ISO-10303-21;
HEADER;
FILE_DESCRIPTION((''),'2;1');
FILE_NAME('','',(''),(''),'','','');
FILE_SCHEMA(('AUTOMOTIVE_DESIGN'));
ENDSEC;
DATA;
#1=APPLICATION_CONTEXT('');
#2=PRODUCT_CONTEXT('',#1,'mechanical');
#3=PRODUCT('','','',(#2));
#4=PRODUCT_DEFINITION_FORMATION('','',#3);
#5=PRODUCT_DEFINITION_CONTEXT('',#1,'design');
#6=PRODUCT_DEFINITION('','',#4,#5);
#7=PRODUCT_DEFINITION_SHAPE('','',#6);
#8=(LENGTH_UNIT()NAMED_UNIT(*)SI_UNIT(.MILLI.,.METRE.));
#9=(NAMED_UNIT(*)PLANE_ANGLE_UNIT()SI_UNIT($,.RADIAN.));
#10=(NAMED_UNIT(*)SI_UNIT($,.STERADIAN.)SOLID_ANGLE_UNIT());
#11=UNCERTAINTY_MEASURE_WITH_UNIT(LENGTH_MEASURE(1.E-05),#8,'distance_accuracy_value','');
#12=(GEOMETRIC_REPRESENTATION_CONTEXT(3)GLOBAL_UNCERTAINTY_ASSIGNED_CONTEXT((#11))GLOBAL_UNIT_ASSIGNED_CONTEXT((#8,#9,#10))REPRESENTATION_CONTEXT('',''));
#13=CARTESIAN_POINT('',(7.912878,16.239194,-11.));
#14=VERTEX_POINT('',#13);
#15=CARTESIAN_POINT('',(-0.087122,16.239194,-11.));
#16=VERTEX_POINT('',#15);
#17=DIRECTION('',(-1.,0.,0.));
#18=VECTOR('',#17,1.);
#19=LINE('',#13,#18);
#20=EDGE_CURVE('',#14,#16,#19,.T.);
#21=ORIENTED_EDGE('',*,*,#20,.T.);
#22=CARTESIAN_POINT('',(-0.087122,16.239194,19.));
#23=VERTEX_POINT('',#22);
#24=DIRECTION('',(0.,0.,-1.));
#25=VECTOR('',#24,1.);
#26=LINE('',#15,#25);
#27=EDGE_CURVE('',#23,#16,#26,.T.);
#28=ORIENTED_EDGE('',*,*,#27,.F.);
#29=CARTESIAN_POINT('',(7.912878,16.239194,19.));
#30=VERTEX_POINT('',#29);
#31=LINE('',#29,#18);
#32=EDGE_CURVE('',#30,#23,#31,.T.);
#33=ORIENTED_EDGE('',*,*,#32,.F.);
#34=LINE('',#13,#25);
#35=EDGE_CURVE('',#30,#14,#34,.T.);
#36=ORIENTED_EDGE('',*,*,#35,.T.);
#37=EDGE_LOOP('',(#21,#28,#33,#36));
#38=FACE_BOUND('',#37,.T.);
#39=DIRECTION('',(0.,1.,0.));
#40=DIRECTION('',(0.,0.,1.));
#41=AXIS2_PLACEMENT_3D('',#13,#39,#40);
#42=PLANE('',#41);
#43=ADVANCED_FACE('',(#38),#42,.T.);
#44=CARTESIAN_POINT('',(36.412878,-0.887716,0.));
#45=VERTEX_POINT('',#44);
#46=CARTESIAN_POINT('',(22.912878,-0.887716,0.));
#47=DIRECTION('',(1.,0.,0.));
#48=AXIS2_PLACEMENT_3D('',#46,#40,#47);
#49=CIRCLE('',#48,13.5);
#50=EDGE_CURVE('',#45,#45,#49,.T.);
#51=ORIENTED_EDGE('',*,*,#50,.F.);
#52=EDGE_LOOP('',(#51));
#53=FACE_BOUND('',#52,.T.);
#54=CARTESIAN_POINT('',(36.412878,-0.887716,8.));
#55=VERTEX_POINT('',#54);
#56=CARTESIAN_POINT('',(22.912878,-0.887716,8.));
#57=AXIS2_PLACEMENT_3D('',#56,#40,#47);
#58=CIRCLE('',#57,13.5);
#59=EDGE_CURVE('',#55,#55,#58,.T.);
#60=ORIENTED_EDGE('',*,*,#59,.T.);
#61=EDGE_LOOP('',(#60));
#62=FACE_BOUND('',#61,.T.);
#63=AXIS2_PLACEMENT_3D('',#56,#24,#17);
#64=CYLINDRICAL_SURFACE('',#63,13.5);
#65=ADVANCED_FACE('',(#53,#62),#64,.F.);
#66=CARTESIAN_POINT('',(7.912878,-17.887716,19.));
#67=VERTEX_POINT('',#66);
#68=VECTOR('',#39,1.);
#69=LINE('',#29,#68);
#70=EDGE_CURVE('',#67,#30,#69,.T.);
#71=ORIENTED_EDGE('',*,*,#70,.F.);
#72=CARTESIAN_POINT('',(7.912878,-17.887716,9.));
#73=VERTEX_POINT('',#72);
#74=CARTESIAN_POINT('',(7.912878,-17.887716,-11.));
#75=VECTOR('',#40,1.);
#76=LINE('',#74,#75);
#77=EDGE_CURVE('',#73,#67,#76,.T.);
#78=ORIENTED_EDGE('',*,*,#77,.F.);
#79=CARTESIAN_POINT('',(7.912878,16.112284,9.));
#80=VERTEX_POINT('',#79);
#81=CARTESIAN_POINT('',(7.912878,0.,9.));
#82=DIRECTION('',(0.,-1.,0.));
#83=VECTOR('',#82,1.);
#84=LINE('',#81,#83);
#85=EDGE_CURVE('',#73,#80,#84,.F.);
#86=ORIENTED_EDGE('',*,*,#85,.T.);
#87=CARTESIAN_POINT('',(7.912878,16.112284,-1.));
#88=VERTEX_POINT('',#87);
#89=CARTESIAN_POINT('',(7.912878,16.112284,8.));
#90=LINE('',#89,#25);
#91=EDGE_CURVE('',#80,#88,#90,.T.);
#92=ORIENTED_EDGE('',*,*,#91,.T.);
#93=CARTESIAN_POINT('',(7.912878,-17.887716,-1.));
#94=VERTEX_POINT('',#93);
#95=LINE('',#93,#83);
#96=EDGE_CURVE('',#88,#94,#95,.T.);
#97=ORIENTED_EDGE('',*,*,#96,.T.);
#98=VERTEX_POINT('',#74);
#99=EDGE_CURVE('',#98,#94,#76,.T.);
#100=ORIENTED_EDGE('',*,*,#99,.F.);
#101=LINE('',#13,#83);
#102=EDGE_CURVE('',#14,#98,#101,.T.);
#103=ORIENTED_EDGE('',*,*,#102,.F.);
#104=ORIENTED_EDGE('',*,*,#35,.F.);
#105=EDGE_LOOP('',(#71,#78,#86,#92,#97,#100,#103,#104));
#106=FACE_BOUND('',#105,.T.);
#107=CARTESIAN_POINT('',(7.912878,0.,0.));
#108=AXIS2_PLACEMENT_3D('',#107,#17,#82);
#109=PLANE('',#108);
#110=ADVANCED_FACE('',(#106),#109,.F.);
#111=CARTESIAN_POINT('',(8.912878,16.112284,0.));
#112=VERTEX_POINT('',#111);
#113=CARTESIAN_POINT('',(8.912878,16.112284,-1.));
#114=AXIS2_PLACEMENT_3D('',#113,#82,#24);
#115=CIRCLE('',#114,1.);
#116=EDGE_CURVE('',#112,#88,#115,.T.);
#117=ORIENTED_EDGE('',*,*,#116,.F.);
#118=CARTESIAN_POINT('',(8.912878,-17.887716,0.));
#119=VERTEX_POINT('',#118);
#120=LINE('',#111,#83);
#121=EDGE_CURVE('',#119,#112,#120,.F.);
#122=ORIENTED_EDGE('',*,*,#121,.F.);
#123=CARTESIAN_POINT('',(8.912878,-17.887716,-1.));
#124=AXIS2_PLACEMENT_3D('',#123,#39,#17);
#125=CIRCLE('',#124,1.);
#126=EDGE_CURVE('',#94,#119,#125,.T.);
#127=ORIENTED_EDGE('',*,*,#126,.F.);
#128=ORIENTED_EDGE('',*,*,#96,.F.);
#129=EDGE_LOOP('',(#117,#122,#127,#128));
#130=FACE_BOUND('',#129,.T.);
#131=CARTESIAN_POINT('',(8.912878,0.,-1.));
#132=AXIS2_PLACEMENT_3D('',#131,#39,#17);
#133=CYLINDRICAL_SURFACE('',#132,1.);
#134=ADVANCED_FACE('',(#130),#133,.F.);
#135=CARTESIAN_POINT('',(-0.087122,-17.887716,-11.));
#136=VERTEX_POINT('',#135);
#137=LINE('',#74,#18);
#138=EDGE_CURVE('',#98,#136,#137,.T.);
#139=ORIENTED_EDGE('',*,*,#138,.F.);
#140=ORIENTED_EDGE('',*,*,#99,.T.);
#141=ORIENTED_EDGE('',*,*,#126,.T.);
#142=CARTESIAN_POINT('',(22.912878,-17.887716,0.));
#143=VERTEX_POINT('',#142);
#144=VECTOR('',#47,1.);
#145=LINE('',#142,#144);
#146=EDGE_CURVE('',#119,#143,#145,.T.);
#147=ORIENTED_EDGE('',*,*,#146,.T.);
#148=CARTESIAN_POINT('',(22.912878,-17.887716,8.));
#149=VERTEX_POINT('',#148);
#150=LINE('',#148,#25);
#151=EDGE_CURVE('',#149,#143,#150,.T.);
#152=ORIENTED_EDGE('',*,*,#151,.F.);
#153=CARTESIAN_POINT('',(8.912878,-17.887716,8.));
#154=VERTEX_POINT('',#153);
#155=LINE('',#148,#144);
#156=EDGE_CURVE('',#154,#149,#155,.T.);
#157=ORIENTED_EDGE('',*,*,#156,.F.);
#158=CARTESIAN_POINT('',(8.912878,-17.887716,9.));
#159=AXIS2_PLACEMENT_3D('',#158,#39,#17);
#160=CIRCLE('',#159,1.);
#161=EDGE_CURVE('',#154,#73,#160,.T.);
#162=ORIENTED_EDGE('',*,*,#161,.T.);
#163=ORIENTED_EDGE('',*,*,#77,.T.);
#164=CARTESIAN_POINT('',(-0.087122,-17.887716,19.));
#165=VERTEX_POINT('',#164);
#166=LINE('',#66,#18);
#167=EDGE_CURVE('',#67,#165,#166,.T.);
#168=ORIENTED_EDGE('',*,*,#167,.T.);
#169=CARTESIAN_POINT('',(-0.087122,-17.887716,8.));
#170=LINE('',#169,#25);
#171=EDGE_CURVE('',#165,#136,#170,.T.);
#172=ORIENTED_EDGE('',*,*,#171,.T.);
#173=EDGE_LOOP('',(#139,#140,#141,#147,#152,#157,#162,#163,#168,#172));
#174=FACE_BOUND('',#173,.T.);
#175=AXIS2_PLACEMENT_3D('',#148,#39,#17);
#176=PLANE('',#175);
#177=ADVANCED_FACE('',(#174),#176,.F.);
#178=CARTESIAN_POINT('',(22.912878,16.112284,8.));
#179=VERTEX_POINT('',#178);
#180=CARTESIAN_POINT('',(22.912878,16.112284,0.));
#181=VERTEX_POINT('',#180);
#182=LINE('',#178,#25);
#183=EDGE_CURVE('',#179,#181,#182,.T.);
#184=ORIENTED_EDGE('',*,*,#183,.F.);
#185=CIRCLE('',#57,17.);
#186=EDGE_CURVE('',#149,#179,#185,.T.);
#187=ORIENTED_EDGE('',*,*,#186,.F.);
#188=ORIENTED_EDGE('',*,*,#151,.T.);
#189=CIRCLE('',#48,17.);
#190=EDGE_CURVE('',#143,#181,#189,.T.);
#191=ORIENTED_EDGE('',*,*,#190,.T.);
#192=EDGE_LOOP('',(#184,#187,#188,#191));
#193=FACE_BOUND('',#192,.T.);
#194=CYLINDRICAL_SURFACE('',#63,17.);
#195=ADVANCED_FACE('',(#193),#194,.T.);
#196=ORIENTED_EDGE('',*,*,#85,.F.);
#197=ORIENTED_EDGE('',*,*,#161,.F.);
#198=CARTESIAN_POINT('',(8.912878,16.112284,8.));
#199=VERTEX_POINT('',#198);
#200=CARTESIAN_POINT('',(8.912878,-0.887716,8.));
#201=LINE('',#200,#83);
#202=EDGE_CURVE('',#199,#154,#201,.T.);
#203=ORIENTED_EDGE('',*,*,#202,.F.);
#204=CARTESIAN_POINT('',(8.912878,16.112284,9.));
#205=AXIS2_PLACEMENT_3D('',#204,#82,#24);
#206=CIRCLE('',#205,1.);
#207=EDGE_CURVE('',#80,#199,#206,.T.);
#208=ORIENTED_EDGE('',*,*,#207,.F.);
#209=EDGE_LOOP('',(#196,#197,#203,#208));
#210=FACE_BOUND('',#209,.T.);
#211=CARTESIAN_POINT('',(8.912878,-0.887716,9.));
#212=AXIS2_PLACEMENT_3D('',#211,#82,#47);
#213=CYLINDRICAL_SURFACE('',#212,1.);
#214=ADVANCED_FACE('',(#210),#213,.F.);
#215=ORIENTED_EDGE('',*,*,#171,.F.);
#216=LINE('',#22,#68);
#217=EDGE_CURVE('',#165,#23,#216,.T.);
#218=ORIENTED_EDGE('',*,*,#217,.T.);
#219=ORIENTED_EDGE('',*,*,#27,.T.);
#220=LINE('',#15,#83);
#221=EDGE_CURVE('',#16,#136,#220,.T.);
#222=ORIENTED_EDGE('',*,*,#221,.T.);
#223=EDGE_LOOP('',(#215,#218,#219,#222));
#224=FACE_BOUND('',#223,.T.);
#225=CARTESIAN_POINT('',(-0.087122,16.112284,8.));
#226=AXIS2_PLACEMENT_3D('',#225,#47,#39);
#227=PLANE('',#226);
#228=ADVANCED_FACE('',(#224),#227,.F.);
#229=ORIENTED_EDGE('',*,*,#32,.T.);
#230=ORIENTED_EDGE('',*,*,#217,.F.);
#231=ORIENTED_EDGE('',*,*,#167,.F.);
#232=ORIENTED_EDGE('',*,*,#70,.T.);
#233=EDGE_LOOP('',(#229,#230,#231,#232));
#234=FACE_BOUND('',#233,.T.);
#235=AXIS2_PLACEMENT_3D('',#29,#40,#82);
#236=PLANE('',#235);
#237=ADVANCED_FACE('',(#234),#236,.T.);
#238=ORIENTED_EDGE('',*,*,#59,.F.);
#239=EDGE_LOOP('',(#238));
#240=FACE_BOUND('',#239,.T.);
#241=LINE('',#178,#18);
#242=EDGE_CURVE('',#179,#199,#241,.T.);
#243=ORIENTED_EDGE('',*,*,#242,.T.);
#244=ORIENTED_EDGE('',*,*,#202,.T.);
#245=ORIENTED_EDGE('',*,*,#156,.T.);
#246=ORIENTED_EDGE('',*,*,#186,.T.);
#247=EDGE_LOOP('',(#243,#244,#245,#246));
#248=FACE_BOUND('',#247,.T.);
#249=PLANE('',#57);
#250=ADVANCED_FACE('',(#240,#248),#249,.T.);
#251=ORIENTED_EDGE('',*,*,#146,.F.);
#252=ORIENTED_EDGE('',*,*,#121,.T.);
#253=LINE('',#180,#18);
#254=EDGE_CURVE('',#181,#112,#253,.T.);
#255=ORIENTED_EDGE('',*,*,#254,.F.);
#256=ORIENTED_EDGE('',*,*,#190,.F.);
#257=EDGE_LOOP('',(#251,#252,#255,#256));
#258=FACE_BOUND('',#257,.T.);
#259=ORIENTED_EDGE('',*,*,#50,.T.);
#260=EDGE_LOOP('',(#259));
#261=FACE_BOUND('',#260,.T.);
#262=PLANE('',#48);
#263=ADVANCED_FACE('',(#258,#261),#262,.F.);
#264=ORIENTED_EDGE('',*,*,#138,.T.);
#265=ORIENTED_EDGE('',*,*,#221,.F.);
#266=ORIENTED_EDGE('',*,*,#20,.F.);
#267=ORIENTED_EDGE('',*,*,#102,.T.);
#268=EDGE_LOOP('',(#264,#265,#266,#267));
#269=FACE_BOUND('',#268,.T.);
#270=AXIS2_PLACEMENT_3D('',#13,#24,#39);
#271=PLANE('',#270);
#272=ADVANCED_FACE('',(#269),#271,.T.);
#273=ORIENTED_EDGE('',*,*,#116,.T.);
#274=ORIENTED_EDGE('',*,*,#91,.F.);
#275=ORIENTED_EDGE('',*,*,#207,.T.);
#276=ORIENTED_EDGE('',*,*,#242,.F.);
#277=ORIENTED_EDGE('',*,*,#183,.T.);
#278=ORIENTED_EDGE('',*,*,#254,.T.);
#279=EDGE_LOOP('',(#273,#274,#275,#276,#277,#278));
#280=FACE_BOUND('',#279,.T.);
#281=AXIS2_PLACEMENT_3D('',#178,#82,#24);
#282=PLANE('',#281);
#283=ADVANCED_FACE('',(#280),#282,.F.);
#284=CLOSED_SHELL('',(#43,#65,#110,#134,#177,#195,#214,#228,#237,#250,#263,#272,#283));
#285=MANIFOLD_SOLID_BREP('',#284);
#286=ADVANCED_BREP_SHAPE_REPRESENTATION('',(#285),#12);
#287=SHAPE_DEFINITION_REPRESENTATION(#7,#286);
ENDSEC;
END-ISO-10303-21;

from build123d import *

# Parameters (mm, degrees)
SKETCH2_R           = 13.5
BOSS_EXTRUDE1_DEPTH = 8
SKETCH3_W           = 30
SKETCH3_H           = 34.126910457
BOSS_EXTRUDE2_DEPTH = 8
FILLET1_R           = 1


with BuildPart() as part:
    # Sketch2 → Boss-Extrude1 (new body)
    with BuildSketch(Plane.XY):
        with BuildLine():
            Line((22.912878475, 16.112283523), (-0.087121525, 16.112283523))
            Line((-0.087121525, 16.112283523), (-0.087121525, -17.887716477))
            Line((-0.087121525, -17.887716477), (22.912878475, -17.887716477))
            ThreePointArc((22.912878475, -17.887716477), (39.912878475, -0.887716477), (22.912878475, 16.112283523))
        make_face()
        with Locations((22.912878475, -0.887716477)):
            Circle(SKETCH2_R, mode=Mode.SUBTRACT)
    extrude(amount=BOSS_EXTRUDE1_DEPTH)

    # Sketch3 → Boss-Extrude2 (add)
    with BuildSketch(Plane.ZY.offset(0.087121525)):
        with Locations((4, -0.824261249)):
            Rectangle(SKETCH3_W, SKETCH3_H)
    extrude(amount=-BOSS_EXTRUDE2_DEPTH)

    # Fillet1
    fillet1_edges = [part.edges().sort_by_distance(p)[0] for p in [
        (7.912878475, -0.887716477, 8),
        (7.912878475, -0.887716477, 0),
    ]]
    fillet(fillet1_edges, radius=FILLET1_R)


solid = part.part
